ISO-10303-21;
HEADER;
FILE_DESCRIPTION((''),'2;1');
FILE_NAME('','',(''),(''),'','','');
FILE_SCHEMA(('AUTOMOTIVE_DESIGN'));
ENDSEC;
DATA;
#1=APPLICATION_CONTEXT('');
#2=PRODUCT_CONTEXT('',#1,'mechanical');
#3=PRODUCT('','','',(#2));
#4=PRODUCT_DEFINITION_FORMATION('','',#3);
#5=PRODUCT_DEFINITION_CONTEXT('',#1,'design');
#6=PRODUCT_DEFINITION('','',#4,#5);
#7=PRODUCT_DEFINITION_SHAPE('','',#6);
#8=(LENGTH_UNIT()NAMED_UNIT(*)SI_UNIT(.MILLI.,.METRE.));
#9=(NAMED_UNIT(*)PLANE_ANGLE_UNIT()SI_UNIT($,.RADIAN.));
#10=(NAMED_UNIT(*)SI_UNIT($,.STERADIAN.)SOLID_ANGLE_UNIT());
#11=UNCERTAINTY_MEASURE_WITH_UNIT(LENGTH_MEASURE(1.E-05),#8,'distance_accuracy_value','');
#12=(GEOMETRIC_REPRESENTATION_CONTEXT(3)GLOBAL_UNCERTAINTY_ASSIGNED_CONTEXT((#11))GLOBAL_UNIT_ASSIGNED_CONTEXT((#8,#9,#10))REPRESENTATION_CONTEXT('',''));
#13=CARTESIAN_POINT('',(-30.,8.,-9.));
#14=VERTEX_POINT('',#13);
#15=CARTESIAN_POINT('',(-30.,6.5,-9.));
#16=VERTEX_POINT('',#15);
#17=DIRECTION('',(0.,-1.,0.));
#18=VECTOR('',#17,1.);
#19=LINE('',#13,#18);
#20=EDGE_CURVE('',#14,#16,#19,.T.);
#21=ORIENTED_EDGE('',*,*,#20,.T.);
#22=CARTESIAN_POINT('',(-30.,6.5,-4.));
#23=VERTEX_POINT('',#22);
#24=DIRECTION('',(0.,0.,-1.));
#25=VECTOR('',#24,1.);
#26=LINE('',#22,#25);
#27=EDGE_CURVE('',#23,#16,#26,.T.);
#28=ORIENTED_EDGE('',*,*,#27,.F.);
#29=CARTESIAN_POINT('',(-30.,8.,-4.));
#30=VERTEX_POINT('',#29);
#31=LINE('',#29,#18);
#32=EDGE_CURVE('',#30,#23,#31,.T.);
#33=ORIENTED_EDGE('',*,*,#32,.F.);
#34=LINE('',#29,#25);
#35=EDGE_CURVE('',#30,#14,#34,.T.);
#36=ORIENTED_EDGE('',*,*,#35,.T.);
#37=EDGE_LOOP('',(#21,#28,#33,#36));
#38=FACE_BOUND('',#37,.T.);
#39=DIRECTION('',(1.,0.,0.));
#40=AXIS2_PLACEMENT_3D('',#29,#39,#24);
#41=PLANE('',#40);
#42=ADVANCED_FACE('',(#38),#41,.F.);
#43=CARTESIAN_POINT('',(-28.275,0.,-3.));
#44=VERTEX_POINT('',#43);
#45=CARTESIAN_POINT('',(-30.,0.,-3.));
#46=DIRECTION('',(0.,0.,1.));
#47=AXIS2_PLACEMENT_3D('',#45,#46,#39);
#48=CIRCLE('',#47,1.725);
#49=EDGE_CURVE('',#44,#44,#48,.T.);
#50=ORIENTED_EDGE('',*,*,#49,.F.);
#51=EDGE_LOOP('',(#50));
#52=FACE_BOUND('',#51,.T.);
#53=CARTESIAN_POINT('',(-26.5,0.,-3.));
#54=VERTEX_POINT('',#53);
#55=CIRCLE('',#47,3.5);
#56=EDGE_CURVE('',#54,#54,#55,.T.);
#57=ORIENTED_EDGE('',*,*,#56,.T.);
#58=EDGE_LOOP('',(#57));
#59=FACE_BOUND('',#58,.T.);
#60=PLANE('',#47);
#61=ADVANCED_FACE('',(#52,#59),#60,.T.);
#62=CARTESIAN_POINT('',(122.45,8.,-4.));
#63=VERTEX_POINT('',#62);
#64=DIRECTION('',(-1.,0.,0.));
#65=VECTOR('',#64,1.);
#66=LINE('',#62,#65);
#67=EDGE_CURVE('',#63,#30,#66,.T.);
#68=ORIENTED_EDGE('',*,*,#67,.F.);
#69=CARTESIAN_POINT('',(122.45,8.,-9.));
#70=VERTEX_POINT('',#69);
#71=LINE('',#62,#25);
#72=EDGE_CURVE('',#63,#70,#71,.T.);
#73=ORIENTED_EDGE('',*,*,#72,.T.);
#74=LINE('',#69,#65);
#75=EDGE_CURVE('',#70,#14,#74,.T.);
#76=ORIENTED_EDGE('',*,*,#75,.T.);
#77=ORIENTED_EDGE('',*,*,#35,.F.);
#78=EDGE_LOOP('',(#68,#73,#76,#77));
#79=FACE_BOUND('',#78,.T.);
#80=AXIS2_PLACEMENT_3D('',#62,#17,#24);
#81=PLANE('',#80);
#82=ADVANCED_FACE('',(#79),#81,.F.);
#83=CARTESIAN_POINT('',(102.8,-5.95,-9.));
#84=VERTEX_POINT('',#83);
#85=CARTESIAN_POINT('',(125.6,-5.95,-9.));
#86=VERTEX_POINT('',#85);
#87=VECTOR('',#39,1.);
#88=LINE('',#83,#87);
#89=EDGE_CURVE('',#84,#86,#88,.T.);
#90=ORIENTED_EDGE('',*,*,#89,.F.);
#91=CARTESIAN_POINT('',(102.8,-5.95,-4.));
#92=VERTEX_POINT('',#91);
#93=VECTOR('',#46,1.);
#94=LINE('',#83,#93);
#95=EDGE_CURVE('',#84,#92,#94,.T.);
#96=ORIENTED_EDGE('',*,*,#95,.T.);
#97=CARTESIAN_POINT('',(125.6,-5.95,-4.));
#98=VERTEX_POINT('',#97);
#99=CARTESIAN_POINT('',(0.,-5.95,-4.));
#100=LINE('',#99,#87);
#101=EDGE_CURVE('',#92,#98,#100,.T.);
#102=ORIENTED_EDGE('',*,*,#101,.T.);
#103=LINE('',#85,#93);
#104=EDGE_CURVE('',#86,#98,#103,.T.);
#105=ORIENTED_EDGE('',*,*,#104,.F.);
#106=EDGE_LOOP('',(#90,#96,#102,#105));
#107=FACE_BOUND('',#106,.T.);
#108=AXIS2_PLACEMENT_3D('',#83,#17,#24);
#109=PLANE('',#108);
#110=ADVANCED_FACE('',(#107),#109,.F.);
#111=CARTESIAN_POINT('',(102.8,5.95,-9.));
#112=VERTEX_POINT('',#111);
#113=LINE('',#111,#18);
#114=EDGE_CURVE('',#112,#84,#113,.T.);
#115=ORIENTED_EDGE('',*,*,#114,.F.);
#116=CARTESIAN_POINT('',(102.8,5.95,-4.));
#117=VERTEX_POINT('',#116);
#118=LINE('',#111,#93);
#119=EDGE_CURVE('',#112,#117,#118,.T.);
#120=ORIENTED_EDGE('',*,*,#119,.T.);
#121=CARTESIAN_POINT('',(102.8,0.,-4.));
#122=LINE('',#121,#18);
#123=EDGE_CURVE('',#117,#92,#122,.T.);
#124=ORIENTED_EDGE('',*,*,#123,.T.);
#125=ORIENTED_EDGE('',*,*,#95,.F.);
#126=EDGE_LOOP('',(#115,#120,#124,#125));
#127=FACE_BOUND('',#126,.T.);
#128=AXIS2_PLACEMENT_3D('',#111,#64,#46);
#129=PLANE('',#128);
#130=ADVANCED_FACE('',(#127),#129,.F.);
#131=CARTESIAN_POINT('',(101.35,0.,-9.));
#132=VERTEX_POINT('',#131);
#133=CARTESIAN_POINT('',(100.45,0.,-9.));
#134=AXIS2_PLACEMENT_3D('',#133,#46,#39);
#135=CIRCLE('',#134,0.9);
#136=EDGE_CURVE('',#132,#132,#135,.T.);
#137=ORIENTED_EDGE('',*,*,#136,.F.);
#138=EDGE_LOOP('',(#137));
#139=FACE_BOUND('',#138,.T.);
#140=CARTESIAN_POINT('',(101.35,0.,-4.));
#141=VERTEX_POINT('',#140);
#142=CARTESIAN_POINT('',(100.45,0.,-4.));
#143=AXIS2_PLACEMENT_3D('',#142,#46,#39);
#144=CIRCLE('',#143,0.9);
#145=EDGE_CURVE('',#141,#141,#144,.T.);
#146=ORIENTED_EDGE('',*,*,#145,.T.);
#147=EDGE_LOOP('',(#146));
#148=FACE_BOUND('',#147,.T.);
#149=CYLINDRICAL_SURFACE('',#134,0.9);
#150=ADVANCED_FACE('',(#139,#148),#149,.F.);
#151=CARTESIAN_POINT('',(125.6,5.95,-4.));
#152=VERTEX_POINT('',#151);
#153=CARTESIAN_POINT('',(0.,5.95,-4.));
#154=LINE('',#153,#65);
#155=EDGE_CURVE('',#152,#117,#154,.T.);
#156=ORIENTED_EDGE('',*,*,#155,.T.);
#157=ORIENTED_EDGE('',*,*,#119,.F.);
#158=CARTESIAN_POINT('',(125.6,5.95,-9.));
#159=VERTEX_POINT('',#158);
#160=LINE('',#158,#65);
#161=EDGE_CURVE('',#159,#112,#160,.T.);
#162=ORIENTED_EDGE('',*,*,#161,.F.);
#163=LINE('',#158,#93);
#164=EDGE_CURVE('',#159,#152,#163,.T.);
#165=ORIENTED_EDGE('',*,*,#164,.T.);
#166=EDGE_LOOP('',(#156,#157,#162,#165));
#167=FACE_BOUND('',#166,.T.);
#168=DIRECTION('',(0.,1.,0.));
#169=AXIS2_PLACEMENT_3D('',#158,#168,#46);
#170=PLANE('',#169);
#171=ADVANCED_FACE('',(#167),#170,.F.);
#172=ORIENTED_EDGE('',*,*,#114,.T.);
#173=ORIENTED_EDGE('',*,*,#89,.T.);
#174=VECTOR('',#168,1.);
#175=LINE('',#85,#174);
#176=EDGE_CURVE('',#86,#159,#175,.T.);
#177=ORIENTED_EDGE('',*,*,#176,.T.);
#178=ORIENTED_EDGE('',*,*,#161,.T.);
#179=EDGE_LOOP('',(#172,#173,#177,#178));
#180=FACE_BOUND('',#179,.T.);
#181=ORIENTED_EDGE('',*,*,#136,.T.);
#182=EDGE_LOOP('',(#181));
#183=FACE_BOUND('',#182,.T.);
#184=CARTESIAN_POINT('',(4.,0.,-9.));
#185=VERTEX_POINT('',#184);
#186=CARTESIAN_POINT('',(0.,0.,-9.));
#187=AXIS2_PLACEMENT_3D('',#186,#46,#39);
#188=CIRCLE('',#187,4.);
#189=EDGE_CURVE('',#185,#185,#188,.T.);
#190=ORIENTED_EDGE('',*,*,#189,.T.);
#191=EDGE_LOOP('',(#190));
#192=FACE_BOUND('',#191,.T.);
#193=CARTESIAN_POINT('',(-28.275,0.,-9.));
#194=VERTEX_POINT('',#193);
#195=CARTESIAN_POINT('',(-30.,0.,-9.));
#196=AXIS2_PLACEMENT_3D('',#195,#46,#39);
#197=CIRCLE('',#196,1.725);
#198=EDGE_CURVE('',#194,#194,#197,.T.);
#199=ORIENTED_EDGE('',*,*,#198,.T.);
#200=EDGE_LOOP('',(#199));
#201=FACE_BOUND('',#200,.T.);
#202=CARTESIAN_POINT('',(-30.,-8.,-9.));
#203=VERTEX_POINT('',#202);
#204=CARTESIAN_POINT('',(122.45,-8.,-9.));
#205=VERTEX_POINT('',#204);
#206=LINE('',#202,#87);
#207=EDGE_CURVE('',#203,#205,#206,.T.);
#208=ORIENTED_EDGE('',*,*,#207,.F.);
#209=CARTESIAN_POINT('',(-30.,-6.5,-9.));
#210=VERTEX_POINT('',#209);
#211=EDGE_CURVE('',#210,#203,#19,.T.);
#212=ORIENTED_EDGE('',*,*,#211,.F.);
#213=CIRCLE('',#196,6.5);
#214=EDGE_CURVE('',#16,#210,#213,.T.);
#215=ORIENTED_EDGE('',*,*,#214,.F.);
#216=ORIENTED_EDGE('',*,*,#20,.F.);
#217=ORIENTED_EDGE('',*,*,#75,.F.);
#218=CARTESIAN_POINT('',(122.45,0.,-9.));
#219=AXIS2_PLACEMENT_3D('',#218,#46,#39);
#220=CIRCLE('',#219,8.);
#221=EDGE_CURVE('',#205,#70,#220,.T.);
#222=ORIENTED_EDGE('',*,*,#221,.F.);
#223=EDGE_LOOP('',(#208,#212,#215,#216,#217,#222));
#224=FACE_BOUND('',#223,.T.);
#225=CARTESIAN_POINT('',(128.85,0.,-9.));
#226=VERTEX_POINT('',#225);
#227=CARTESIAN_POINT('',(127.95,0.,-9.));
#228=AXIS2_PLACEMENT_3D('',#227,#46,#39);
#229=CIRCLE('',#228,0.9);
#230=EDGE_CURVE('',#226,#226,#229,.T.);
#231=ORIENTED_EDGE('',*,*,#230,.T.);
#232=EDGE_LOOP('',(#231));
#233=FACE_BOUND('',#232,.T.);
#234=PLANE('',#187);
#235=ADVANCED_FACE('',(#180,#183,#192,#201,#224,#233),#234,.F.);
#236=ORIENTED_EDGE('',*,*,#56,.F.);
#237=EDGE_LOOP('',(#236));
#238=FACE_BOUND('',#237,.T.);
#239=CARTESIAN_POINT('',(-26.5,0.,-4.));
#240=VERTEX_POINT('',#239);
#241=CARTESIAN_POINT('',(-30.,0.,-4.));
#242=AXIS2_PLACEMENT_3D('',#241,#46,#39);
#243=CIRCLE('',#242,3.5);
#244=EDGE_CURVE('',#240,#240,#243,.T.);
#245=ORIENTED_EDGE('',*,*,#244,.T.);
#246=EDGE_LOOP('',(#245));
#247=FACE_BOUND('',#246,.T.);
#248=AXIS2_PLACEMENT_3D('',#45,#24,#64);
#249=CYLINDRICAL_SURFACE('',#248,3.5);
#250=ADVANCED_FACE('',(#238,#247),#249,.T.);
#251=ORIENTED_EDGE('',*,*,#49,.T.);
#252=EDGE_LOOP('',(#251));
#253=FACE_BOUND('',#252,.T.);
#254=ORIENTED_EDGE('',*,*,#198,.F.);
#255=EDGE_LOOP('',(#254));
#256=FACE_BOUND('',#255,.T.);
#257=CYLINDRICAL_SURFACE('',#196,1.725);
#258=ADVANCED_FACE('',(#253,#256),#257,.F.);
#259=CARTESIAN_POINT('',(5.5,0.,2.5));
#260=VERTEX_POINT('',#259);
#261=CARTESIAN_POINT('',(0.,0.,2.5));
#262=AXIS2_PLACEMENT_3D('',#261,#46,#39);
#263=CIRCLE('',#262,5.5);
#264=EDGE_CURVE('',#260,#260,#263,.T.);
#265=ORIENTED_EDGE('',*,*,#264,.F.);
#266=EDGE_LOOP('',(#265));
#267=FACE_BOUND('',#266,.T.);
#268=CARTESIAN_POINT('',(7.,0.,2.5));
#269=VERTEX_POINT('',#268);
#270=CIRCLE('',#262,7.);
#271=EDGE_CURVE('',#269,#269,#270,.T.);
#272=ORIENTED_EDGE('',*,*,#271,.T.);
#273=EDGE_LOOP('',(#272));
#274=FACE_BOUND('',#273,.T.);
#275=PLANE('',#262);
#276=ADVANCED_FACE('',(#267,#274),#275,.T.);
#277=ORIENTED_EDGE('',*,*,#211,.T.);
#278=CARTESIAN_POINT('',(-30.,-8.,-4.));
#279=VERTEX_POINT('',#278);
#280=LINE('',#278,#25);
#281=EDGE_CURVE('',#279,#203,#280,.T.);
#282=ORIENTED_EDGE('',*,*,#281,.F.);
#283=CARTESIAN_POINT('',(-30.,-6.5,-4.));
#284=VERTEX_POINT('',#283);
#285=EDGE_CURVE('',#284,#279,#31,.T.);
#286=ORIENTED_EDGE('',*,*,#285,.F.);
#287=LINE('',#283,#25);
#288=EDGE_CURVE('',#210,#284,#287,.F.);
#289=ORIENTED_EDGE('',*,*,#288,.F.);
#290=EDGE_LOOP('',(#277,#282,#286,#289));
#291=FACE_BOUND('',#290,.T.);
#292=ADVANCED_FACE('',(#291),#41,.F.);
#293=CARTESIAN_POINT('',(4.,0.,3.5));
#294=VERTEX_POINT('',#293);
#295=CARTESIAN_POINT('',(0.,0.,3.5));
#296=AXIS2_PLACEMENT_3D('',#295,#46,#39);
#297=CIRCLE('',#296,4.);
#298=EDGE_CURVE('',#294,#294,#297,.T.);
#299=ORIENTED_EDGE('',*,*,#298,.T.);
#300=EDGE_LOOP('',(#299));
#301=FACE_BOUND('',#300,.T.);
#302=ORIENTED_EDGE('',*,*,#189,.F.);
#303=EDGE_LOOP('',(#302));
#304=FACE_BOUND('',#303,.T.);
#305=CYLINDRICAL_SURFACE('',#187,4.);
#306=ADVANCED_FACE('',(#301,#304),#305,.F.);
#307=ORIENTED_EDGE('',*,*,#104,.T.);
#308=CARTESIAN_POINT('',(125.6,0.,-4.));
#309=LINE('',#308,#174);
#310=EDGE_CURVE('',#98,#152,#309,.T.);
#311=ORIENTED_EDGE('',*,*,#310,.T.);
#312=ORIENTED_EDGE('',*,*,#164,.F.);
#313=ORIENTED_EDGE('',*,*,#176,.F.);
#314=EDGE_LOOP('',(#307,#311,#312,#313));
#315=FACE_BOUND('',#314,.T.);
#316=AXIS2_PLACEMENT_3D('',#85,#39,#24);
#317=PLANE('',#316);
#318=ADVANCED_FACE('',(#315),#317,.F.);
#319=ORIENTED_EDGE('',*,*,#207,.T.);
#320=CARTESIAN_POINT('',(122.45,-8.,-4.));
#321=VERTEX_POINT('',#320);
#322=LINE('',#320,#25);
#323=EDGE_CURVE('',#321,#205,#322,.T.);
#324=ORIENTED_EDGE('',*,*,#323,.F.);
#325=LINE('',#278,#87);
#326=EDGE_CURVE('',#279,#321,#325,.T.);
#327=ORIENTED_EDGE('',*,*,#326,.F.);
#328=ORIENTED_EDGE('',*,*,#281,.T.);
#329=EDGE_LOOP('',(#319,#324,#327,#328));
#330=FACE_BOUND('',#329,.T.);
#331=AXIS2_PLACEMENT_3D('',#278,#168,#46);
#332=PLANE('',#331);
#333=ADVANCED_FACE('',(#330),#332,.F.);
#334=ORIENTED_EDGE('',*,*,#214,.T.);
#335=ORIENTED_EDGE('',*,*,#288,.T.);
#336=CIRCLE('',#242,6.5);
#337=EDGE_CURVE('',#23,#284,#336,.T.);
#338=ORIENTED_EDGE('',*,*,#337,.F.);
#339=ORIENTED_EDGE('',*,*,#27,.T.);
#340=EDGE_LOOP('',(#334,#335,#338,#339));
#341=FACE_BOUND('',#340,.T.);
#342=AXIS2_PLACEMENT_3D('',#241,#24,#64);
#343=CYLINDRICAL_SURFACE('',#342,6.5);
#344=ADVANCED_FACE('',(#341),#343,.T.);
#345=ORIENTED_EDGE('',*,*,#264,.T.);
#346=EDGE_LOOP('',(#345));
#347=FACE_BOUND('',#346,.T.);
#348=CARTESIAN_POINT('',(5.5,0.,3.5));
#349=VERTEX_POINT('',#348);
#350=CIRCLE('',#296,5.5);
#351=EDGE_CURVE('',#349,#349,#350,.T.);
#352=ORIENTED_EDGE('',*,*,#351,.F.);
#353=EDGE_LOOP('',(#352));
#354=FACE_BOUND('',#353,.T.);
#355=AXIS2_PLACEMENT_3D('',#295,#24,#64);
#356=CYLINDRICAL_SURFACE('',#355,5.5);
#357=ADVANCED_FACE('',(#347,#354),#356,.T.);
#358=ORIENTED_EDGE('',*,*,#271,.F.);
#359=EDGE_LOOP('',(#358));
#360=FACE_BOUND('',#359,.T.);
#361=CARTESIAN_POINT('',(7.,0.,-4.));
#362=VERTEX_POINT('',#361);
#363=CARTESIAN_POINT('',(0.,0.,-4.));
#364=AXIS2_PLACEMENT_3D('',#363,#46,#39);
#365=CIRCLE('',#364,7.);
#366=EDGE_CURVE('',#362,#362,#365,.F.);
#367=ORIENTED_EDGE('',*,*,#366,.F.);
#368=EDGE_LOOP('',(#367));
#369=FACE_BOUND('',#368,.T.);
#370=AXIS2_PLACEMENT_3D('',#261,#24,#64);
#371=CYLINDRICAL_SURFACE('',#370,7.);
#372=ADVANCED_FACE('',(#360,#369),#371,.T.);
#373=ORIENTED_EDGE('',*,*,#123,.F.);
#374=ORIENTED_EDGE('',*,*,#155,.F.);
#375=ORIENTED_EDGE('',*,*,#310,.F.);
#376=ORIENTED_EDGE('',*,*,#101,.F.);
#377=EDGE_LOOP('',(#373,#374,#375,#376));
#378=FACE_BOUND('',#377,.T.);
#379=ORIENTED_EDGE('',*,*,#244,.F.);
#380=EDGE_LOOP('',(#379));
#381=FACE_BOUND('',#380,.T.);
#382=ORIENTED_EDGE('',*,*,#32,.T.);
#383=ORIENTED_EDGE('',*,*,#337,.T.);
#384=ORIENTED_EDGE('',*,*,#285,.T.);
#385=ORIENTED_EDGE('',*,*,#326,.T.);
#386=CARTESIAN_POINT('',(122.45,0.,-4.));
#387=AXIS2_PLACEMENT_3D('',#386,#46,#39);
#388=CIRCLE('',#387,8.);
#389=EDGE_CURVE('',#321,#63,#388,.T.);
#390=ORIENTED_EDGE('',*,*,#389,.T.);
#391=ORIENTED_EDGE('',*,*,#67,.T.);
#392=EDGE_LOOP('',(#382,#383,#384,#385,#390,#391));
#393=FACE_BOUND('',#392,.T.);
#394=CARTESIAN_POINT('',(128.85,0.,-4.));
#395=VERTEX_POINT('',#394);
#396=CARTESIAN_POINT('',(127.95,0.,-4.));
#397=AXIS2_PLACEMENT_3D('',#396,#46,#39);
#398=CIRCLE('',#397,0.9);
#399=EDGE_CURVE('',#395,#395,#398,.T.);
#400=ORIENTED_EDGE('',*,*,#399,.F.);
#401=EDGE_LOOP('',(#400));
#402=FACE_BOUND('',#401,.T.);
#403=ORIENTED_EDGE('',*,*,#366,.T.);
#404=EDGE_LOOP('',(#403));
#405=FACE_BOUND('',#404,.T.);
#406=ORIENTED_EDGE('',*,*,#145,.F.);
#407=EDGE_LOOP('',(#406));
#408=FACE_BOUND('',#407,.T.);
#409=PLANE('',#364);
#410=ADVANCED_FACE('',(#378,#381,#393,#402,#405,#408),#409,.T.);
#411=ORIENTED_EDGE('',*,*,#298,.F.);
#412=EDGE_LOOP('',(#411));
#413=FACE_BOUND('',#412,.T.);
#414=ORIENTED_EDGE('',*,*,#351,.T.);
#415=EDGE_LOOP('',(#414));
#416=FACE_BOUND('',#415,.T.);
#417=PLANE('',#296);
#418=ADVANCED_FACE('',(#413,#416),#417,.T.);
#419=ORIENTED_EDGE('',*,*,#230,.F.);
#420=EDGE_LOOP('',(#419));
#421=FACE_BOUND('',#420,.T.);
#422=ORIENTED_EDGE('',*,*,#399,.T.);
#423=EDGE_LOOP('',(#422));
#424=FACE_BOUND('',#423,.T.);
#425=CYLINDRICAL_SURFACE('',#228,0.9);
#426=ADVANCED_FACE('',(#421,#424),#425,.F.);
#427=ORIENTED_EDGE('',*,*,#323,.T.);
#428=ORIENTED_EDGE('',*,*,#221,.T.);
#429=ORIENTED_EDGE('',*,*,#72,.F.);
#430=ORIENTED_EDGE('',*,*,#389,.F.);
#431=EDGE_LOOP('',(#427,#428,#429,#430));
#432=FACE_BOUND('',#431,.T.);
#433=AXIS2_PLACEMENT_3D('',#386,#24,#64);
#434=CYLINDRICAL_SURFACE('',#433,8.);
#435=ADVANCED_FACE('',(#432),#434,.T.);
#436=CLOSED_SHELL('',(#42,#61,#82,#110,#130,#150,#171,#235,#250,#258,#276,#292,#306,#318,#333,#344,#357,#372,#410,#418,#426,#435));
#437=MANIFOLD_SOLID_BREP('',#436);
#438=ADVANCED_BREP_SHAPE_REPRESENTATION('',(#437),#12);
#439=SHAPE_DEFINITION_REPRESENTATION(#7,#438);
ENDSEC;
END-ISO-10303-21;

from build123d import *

# Parameters (mm, degrees)
BOSS_EXTRUDE1_START     = -9
SKETCH1_W               = 152.45
SKETCH1_H               = 16
BOSS_EXTRUDE1_DEPTH     = 5
BOSS_EXTRUDE2_START     = -9
SKETCH2_R               = 6.5
BOSS_EXTRUDE2_DEPTH     = 5
BOSS_EXTRUDE3_START     = -9
SKETCH3_R               = 8
BOSS_EXTRUDE3_DEPTH     = 5
BOSS_EXTRUDE4_START     = -9
SKETCH4_R               = 7
BOSS_EXTRUDE4_DEPTH     = 11.5
BOSS_EXTRUDE5_START     = 2.5
SKETCH5_R               = 5.5
BOSS_EXTRUDE5_DEPTH     = 1
BOSS_EXTRUDE6_START     = -4
SKETCH6_R               = 3.5
BOSS_EXTRUDE6_DEPTH     = 1
CUT_EXTRUDE1_DEPTH      = 132.004589614
CUT_EXTRUDE1_DEPTH_BACK = 132.004589614
SKETCH7_R               = 4
CUT_EXTRUDE2_DEPTH      = 132.004589614
CUT_EXTRUDE2_DEPTH_BACK = 132.004589614
SKETCH8_R               = 1.725
CUT_EXTRUDE3_DEPTH      = 132.004589614
CUT_EXTRUDE3_DEPTH_BACK = 132.004589614
SKETCH9_W               = 22.8
SKETCH9_H               = 11.9
CUT_EXTRUDE4_DEPTH      = 132.004589614
CUT_EXTRUDE4_DEPTH_BACK = 132.004589614
SKETCH10_R              = 0.9


with BuildPart() as part:
    # Sketch1 → Boss-Extrude1 (new body)
    with BuildSketch(Plane.XY.offset(BOSS_EXTRUDE1_START)):
        with Locations((46.225, 0)):
            Rectangle(SKETCH1_W, SKETCH1_H)
    extrude(amount=BOSS_EXTRUDE1_DEPTH)

    # Sketch2 → Boss-Extrude2 (add)
    with BuildSketch(Plane.XY.offset(BOSS_EXTRUDE2_START)):
        with Locations((-30, 0)):
            Circle(SKETCH2_R)
    extrude(amount=BOSS_EXTRUDE2_DEPTH)

    # Sketch3 → Boss-Extrude3 (add)
    with BuildSketch(Plane.XY.offset(BOSS_EXTRUDE3_START)):
        with Locations((122.45, 0)):
            Circle(SKETCH3_R)
    extrude(amount=BOSS_EXTRUDE3_DEPTH)

    # Sketch4 → Boss-Extrude4 (add)
    with BuildSketch(Plane.XY.offset(BOSS_EXTRUDE4_START)):
        Circle(SKETCH4_R)
    extrude(amount=BOSS_EXTRUDE4_DEPTH)

    # Sketch5 → Boss-Extrude5 (add)
    with BuildSketch(Plane.XY.offset(BOSS_EXTRUDE5_START)):
        Circle(SKETCH5_R)
    extrude(amount=BOSS_EXTRUDE5_DEPTH)

    # Sketch6 → Boss-Extrude6 (add)
    with BuildSketch(Plane.XY.offset(BOSS_EXTRUDE6_START)):
        with Locations((-30, 0)):
            Circle(SKETCH6_R)
    extrude(amount=BOSS_EXTRUDE6_DEPTH)

    # Sketch7 → Cut-Extrude1 (cut, two sides: drawn at the far end of the back side and taken through both)
    with BuildSketch(Plane.XY.offset(-CUT_EXTRUDE1_DEPTH_BACK)):
        Circle(SKETCH7_R)
    extrude(amount=CUT_EXTRUDE1_DEPTH + CUT_EXTRUDE1_DEPTH_BACK, mode=Mode.SUBTRACT)

    # Sketch8 → Cut-Extrude2 (cut, two sides: drawn at the far end of the back side and taken through both)
    with BuildSketch(Plane.XY.offset(-CUT_EXTRUDE2_DEPTH_BACK)):
        with Locations((-30, 0)):
            Circle(SKETCH8_R)
    extrude(amount=CUT_EXTRUDE2_DEPTH + CUT_EXTRUDE2_DEPTH_BACK, mode=Mode.SUBTRACT)

    # Sketch9 → Cut-Extrude3 (cut, two sides: drawn at the far end of the back side and taken through both)
    with BuildSketch(Plane.XY.offset(-CUT_EXTRUDE3_DEPTH_BACK)):
        with Locations((114.2, 0)):
            Rectangle(SKETCH9_W, SKETCH9_H)
    extrude(amount=CUT_EXTRUDE3_DEPTH + CUT_EXTRUDE3_DEPTH_BACK, mode=Mode.SUBTRACT)

    # Sketch10 → Cut-Extrude4 (cut, two sides: drawn at the far end of the back side and taken through both)
    with BuildSketch(Plane.XY.offset(-CUT_EXTRUDE4_DEPTH_BACK)):
        with Locations((100.45, 0)):
            Circle(SKETCH10_R)
        with Locations((127.95, 0)):
            Circle(SKETCH10_R)
    extrude(amount=CUT_EXTRUDE4_DEPTH + CUT_EXTRUDE4_DEPTH_BACK, mode=Mode.SUBTRACT)


solid = part.part
